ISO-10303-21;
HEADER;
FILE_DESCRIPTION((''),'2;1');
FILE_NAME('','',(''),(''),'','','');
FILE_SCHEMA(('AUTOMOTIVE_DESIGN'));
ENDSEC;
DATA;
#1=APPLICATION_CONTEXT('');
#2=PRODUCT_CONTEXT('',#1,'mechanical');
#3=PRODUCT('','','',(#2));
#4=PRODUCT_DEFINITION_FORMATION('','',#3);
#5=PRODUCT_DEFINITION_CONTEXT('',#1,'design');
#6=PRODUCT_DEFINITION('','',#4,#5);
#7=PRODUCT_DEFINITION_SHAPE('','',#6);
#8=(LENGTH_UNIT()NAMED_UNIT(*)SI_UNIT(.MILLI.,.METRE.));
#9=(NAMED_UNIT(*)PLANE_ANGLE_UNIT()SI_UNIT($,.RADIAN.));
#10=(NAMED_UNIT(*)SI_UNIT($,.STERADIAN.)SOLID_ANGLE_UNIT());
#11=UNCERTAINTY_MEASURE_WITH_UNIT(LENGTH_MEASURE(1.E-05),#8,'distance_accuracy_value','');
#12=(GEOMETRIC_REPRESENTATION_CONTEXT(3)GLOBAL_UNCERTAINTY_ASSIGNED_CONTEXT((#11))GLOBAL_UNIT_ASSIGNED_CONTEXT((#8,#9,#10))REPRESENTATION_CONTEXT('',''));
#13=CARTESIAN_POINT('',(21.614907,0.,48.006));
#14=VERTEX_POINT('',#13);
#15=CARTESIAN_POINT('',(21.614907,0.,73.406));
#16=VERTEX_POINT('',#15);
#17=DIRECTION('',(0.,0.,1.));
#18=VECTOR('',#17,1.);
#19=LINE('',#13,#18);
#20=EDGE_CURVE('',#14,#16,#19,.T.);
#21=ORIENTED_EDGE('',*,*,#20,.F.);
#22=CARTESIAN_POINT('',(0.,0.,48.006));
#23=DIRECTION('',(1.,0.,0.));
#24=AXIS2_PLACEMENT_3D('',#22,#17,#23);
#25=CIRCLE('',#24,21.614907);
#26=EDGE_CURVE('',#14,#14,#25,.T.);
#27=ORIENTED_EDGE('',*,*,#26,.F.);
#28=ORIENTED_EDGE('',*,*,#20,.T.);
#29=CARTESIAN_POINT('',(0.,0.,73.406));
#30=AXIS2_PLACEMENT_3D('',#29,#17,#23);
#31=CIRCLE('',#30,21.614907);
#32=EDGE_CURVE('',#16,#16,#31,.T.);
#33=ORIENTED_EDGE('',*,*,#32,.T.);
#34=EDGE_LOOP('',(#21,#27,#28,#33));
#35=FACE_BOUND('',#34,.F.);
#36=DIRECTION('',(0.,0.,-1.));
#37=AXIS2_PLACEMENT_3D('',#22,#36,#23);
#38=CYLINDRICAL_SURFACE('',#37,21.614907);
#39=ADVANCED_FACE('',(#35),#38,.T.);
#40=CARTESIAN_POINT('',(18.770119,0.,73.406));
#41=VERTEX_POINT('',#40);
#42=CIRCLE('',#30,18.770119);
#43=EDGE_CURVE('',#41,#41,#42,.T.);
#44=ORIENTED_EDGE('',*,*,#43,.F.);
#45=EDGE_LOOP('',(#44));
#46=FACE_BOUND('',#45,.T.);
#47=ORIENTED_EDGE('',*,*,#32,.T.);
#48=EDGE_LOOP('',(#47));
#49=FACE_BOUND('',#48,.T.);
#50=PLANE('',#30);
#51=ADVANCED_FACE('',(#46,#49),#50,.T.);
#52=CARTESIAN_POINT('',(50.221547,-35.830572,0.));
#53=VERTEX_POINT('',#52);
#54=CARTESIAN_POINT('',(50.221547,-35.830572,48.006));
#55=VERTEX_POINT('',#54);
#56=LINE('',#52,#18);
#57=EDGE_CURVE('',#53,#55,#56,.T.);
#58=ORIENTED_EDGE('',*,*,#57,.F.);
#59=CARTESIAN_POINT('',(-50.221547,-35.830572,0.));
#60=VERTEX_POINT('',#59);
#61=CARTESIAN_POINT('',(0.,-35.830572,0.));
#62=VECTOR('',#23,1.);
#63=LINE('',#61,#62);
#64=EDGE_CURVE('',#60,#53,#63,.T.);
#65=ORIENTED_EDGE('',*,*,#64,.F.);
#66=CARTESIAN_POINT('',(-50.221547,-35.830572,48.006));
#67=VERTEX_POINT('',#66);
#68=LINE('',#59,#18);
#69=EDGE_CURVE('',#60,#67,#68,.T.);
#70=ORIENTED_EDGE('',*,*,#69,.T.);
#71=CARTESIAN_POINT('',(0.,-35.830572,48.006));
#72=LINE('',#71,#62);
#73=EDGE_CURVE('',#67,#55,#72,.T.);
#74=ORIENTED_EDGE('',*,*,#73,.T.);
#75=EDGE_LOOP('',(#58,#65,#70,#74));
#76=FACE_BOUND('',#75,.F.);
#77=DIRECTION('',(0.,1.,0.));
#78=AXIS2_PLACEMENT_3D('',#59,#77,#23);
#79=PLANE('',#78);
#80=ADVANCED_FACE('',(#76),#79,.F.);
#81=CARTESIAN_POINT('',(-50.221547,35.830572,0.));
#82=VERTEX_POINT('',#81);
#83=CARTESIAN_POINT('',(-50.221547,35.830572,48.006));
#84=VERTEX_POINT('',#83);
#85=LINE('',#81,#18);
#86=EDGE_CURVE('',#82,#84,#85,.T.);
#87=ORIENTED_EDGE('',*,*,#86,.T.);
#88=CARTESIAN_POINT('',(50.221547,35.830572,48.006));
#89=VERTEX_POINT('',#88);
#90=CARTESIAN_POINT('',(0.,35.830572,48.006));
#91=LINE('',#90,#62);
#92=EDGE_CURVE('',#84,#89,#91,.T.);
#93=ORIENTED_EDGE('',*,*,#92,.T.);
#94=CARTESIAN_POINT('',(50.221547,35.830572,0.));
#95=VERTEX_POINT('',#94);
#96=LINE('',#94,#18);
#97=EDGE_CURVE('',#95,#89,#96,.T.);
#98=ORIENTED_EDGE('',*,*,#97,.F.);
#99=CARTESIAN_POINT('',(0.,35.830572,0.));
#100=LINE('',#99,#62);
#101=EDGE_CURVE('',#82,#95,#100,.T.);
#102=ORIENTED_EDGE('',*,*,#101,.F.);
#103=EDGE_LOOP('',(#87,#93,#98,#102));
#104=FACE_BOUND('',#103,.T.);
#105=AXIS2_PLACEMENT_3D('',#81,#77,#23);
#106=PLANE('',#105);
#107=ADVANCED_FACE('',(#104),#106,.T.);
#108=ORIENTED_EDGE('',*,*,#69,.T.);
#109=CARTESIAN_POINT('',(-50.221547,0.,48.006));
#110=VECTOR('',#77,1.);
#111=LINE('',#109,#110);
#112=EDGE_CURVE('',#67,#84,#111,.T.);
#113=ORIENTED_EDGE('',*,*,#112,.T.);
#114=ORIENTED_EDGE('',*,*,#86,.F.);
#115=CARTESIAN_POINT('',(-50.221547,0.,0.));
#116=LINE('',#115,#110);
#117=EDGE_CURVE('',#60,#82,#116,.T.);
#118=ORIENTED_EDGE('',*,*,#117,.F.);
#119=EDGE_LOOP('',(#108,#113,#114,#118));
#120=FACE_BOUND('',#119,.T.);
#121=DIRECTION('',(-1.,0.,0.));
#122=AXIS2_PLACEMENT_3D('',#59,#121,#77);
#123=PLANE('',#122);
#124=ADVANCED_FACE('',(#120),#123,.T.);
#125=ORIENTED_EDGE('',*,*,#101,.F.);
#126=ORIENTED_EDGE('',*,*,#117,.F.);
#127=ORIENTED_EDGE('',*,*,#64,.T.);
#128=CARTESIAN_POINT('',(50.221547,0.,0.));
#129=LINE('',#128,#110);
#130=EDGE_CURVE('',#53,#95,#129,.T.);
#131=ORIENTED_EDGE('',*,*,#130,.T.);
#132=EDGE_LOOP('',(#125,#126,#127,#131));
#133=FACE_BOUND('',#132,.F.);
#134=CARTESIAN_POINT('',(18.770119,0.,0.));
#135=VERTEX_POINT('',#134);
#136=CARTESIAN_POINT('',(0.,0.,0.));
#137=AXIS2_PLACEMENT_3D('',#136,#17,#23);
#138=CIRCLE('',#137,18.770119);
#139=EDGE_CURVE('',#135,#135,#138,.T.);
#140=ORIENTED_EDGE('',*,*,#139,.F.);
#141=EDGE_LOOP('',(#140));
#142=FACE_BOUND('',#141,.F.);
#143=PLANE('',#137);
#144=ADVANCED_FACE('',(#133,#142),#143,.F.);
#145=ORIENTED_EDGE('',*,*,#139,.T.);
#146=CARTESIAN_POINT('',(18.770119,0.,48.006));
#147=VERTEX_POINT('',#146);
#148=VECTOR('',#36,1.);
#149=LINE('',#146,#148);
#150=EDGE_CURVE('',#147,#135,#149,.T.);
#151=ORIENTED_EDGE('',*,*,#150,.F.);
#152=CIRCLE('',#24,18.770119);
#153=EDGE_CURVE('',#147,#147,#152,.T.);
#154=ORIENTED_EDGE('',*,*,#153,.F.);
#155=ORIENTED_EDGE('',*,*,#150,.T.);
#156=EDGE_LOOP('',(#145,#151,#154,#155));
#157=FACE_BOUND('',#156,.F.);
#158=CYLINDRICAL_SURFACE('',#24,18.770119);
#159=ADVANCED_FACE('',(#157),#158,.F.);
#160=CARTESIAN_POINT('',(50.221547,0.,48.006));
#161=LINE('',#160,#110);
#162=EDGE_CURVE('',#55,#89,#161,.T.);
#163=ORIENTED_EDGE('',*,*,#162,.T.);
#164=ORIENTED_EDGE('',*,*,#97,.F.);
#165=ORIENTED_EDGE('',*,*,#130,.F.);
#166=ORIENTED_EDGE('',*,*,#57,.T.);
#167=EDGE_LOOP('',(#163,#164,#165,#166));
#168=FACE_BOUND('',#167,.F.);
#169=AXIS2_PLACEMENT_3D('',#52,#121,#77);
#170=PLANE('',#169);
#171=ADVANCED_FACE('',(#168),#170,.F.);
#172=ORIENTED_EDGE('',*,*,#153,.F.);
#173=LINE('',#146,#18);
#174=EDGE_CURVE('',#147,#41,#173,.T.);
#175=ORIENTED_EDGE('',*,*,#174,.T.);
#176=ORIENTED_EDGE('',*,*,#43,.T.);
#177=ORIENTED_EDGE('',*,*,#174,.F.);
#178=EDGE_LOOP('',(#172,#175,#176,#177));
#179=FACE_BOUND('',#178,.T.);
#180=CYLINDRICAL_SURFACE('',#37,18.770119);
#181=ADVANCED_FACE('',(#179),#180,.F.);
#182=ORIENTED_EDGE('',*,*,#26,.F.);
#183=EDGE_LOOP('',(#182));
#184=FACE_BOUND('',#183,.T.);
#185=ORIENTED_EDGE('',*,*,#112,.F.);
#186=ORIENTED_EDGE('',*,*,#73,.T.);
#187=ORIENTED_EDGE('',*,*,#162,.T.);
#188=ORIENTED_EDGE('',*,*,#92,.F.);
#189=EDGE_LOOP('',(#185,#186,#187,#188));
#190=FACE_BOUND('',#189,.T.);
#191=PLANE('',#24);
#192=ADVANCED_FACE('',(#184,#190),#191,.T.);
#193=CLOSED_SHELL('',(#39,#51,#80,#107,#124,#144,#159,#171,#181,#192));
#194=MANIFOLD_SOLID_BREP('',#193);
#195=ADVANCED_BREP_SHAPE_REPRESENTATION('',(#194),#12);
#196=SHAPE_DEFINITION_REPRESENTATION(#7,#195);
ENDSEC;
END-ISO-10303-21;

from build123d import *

# Parameters (mm, degrees)
F0_W      = 100.443094
F0_H      = 71.661144
F1_DEPTH  = 48.006
F2_R      = 21.614907
F2_R_2    = 18.770119
F3_DEPTH  = 25.4
F3_FACE_R = 18.770119
F4_DEPTH  = 86.36


with BuildPart() as f1:
    # F0 (on Top) → F1 (new body)
    with BuildSketch(Plane.XY):
        Rectangle(F0_W, F0_H)
    extrude(amount=F1_DEPTH)

    # F2 (on face) → F3 (join)
    with BuildSketch(Plane.XY.offset(48.006)):
        Circle(F2_R)
        Circle(F2_R_2, mode=Mode.SUBTRACT)
    extrude(amount=F3_DEPTH)

    # F3_face (on face) → F4 (cut)
    with BuildSketch(Plane.XY.offset(48.006)):
        Circle(F3_FACE_R)
    extrude(amount=-F4_DEPTH, mode=Mode.SUBTRACT)


solid = f1.part
